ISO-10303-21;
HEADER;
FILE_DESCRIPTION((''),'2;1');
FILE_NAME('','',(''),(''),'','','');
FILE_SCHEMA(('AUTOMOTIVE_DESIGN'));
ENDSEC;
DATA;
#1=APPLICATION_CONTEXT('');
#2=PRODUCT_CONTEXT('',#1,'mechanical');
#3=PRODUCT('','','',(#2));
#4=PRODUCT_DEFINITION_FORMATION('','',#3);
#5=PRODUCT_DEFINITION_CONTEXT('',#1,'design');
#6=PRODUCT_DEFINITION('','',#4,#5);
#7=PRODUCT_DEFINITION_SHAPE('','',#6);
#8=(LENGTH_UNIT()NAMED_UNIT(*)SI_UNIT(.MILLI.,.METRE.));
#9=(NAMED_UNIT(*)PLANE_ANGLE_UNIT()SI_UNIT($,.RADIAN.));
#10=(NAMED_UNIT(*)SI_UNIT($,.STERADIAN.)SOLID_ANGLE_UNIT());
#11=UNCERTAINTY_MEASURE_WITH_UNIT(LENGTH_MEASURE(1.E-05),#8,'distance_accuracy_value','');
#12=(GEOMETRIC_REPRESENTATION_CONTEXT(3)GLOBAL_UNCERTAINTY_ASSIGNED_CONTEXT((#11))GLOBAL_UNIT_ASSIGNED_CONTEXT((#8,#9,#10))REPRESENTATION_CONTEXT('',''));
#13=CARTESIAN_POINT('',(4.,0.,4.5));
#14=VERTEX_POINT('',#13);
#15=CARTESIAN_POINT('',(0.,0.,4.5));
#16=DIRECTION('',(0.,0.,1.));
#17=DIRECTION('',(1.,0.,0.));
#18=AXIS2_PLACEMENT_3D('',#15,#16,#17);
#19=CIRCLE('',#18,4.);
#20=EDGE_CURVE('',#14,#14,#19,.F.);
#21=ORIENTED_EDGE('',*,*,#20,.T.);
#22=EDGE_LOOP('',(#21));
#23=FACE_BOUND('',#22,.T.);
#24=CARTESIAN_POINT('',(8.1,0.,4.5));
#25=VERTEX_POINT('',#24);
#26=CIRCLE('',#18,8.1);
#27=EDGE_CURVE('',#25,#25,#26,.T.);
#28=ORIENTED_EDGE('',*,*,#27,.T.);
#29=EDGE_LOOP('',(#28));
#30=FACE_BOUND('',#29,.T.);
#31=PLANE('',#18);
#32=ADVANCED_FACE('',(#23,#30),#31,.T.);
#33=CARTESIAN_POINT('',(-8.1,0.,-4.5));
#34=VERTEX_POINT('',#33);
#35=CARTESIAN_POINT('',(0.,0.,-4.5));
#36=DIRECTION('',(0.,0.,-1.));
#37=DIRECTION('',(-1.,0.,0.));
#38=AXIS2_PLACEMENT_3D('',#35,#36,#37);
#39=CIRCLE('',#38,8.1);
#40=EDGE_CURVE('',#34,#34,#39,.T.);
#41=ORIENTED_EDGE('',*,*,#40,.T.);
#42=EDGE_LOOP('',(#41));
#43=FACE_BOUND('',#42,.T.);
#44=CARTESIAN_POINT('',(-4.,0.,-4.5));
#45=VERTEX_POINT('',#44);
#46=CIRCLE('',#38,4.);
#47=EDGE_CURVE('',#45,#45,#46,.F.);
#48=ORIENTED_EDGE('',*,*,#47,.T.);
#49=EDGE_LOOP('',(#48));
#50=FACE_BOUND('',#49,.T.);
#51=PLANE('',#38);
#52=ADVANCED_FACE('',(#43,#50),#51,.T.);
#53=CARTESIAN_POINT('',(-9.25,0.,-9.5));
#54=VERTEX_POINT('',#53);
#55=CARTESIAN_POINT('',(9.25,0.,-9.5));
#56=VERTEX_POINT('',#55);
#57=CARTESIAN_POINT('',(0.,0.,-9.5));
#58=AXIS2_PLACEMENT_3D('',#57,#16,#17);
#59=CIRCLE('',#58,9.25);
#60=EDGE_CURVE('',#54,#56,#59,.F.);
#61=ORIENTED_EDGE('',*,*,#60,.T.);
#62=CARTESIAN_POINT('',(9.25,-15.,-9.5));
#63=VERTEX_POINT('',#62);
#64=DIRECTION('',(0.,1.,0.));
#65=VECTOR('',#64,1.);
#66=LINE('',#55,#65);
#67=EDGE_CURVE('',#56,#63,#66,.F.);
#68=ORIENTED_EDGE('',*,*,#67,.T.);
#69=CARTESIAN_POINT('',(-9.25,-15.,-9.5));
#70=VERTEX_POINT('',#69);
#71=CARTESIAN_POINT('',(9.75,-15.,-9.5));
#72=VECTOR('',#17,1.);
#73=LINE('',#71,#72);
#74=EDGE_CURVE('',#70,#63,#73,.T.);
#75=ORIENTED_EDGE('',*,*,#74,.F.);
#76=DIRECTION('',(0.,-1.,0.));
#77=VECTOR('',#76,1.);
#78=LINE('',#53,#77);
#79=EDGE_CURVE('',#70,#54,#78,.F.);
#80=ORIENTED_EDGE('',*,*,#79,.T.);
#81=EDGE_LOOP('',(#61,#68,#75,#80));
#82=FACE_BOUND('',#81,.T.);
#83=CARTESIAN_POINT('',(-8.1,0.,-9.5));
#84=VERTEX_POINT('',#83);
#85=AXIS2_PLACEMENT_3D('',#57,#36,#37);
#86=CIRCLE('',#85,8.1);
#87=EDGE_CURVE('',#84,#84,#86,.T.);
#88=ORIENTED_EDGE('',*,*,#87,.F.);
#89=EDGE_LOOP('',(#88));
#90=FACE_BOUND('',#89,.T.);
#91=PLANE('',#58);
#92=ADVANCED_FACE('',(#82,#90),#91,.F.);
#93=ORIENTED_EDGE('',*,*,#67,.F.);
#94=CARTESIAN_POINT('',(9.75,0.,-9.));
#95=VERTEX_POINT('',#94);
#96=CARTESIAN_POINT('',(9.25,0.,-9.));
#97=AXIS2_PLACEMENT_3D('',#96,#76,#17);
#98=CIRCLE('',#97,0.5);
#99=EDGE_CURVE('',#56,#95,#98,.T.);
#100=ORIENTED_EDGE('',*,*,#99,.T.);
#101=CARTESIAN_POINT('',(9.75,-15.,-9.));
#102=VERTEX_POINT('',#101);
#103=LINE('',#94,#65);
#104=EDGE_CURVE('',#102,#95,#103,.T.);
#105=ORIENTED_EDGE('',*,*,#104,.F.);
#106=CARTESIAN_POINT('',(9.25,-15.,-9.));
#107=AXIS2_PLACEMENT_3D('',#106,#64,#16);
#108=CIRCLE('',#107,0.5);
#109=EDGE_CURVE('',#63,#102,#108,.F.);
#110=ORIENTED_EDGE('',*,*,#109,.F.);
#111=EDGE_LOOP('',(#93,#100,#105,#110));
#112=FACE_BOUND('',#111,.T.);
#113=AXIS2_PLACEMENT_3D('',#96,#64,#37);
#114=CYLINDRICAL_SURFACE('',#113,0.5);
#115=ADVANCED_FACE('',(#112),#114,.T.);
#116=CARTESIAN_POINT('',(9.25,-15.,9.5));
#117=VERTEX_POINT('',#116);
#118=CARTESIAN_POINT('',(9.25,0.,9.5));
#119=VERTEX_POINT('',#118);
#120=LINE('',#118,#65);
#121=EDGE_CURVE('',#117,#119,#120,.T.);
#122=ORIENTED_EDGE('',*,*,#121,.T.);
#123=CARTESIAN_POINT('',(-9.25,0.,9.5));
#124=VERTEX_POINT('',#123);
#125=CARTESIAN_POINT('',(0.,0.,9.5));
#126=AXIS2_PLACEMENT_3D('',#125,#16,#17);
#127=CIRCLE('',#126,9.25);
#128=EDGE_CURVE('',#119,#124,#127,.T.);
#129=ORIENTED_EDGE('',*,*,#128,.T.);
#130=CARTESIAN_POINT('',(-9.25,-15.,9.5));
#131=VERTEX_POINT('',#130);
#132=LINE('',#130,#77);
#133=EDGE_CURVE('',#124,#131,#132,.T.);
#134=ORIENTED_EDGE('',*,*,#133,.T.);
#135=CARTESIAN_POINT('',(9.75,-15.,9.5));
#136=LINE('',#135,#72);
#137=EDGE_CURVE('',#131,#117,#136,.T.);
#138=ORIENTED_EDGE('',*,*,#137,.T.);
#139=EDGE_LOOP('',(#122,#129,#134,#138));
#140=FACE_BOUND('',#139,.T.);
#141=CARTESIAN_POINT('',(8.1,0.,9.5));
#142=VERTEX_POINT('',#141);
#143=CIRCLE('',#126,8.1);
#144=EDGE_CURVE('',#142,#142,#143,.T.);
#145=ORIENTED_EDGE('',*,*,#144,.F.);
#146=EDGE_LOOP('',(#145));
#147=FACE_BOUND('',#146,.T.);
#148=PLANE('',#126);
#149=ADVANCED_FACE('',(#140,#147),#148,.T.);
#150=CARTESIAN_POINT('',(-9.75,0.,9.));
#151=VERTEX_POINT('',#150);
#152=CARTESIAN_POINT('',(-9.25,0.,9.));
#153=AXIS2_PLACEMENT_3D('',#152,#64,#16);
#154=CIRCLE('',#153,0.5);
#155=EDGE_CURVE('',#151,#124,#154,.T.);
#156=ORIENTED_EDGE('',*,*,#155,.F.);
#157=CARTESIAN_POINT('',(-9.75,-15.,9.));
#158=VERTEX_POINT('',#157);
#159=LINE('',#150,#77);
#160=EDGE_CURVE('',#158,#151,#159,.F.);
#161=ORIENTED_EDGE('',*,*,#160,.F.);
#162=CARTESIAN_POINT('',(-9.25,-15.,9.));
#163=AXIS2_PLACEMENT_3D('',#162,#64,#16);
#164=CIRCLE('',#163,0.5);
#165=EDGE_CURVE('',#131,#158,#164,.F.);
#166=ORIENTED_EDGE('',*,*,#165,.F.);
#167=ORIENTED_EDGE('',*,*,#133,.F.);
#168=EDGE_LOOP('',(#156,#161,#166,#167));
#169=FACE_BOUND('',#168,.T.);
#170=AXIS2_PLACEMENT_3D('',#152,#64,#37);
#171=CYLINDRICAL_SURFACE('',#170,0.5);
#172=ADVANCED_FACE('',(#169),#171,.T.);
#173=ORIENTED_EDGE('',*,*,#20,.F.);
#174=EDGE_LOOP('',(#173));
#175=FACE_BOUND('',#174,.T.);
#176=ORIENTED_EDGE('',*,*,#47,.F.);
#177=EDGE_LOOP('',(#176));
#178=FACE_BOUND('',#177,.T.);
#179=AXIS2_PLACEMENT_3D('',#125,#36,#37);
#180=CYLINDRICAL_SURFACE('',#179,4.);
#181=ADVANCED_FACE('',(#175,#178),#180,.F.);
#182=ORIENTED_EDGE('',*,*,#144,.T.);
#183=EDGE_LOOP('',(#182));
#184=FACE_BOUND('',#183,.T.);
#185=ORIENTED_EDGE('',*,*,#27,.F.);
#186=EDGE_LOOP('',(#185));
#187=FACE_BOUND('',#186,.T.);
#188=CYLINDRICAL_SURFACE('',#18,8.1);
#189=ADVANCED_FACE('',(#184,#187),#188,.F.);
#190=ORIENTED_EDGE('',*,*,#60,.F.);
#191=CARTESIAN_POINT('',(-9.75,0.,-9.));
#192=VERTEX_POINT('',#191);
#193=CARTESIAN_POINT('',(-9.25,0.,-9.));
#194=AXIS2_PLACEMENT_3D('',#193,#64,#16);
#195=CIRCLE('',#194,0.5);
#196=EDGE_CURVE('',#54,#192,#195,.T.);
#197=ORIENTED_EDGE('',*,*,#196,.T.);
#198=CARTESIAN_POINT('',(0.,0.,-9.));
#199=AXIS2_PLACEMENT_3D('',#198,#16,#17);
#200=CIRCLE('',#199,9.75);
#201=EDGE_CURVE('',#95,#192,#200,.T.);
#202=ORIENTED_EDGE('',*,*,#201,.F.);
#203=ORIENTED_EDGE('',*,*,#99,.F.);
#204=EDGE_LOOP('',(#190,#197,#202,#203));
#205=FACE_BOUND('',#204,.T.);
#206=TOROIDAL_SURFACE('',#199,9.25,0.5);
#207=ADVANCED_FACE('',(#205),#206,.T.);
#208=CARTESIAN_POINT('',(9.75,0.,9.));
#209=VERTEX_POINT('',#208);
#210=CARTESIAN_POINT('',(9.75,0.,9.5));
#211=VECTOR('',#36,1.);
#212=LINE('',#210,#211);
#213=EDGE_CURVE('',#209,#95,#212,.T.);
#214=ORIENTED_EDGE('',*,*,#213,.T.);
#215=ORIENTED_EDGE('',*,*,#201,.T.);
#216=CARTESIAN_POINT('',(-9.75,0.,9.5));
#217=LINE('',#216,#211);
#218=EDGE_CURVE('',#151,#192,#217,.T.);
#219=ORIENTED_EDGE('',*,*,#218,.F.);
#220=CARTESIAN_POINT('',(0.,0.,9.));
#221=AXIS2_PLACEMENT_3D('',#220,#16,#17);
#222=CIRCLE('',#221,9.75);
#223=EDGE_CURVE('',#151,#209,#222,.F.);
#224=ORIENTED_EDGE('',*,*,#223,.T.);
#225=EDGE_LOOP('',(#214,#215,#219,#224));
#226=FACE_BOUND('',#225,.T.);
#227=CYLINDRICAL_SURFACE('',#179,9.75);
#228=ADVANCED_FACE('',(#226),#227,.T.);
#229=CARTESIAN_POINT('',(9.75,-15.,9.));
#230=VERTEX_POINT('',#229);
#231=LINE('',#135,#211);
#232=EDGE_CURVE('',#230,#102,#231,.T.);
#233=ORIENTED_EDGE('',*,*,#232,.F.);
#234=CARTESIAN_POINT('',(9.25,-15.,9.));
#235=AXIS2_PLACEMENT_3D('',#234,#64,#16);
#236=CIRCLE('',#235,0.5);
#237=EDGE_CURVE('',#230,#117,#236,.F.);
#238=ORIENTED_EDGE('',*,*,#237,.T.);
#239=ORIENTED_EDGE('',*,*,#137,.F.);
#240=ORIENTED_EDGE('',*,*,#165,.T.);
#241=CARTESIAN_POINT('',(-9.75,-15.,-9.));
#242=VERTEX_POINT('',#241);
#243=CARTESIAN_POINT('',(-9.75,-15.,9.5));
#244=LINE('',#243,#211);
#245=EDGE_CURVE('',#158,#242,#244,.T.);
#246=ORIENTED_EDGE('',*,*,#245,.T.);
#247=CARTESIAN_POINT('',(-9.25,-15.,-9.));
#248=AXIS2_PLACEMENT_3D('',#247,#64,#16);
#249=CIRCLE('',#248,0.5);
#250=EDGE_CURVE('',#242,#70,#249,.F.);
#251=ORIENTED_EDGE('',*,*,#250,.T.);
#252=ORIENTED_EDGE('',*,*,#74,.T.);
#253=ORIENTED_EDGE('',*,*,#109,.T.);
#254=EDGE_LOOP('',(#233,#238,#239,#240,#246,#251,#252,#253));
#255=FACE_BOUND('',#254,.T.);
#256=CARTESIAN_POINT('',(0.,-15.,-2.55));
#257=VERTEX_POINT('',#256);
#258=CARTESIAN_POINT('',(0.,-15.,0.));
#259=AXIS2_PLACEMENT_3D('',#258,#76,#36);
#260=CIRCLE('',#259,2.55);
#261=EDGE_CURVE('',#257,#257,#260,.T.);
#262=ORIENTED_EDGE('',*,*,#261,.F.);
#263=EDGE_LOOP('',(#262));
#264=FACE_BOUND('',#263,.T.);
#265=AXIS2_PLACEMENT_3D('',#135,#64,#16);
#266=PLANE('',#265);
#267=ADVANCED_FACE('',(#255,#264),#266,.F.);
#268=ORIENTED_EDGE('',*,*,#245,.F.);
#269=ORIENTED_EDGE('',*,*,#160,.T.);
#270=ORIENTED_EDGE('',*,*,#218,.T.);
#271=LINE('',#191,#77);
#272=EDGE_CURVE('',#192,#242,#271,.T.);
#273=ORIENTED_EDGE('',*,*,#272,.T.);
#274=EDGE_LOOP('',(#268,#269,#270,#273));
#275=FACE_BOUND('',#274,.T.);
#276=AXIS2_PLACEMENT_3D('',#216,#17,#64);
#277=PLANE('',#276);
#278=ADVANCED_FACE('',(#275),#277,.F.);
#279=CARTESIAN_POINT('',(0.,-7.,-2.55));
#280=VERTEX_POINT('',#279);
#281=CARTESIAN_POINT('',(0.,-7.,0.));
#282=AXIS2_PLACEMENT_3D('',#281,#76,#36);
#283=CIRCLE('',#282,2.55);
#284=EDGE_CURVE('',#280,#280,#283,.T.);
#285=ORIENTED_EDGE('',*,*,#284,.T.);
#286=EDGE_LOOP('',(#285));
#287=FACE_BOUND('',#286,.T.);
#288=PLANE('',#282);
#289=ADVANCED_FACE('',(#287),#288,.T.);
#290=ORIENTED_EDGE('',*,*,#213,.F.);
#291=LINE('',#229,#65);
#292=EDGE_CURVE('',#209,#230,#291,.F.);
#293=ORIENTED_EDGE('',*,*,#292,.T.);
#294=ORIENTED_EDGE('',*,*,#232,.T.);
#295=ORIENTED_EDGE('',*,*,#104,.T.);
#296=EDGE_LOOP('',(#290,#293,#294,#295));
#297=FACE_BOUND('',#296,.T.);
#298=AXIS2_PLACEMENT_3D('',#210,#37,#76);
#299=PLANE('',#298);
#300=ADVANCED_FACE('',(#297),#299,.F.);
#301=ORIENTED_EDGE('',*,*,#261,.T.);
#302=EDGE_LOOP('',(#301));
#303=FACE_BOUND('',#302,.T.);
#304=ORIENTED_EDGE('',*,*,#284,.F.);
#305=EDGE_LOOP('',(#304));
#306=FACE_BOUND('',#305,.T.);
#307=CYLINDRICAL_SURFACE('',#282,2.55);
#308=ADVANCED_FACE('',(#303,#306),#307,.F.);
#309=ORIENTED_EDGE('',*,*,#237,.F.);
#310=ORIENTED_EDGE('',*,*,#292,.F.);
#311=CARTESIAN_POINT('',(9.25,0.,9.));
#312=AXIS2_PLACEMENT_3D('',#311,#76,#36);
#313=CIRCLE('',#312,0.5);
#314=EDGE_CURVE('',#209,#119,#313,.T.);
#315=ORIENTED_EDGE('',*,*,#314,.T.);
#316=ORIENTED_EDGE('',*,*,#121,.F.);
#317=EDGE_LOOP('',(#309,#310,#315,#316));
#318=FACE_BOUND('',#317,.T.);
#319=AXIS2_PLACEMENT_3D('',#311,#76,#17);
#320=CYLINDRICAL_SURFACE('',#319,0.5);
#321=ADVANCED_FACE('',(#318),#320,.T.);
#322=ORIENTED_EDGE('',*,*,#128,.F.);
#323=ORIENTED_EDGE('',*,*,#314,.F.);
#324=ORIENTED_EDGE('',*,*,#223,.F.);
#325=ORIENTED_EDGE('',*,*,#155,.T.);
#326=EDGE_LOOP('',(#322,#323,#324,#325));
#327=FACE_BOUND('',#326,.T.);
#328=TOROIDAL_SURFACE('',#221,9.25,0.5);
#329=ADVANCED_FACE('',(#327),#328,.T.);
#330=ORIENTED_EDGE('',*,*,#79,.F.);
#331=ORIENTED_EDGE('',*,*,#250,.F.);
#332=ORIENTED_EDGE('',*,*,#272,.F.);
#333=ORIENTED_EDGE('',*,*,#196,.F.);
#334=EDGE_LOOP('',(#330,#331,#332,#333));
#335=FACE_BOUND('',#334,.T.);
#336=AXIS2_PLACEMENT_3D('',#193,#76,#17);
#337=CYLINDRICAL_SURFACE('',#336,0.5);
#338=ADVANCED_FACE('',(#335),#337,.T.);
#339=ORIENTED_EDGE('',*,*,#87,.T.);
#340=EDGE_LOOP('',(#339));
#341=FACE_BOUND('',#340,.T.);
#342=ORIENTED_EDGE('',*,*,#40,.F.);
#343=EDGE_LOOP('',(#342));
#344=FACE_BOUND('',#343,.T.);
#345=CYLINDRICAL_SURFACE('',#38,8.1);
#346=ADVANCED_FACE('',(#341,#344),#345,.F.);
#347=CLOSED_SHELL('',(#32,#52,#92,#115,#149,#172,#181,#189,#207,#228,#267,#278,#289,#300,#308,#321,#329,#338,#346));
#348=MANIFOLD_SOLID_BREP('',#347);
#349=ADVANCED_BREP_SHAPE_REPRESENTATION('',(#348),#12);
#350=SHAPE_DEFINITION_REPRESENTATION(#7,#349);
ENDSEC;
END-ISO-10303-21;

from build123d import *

# Parameters (mm, degrees)
BOSS_EXTRUDE2_DEPTH = 9.5
SKETCH4_R           = 4
CUT_EXTRUDE1_DEPTH  = 27.097174177
SKETCH9_R           = 8.1
CUT_EXTRUDE3_DEPTH  = 5
CUT_EXTRUDE4_START  = -5
SKETCH10_R          = 8.1
CUT_EXTRUDE4_DEPTH  = 5
SKETCH12_R          = 2.55
CUT_EXTRUDE6_DEPTH  = 8
FILLET1_R           = 0.5


with BuildPart() as part:
    # Sketch3 → Boss-Extrude2 (new, symmetric)
    with BuildSketch(Plane.XY):
        with BuildLine():
            Line((9.75, 0), (9.75, -15))
            Line((9.75, -15), (-9.75, -15))
            Line((-9.75, -15), (-9.75, 0))
            ThreePointArc((-9.75, 0), (0, 9.75), (9.75, 0))
        make_face()
    extrude(amount=BOSS_EXTRUDE2_DEPTH, both=True)

    # Sketch4 → Cut-Extrude1 (cut, through all)
    with BuildSketch(Plane(origin=(0, 0, -9.5), x_dir=(-1, 0, 0), z_dir=(0, 0, -1))):
        Circle(SKETCH4_R)
    extrude(amount=-CUT_EXTRUDE1_DEPTH, mode=Mode.SUBTRACT)

    # Sketch9 → Cut-Extrude3 (cut)
    with BuildSketch(Plane(origin=(0, 0, -9.5), x_dir=(-1, 0, 0), z_dir=(0, 0, -1))):
        Circle(SKETCH9_R)
    extrude(amount=-CUT_EXTRUDE3_DEPTH, mode=Mode.SUBTRACT)

    # Sketch10 → Cut-Extrude4 (cut)
    with BuildSketch(Plane.XY.offset(9.5).offset(CUT_EXTRUDE4_START)):
        with Locations(Location((0, 0, 0), (0, 0, 180))):
            Circle(SKETCH10_R)
    extrude(amount=CUT_EXTRUDE4_DEPTH, mode=Mode.SUBTRACT)

    # Sketch12 → Cut-Extrude6 (cut)
    with BuildSketch(Plane.XZ.offset(15)):
        with Locations(Location((0, 0, 0), (0, 0, 270))):
            Circle(SKETCH12_R)
    extrude(amount=-CUT_EXTRUDE6_DEPTH, mode=Mode.SUBTRACT)

    # Fillet1
    fillet1_edges = [part.edges().sort_by_distance(p)[0] for p in [
        (9.75, -7.5, 9.5),
        (0, 9.75, 9.5),
        (9.75, -7.5, -9.5),
        (-9.75, -7.5, -9.5),
        (0, 9.75, -9.5),
        (-9.75, -7.5, 9.5),
    ]]
    fillet(fillet1_edges, radius=FILLET1_R)


solid = part.part
